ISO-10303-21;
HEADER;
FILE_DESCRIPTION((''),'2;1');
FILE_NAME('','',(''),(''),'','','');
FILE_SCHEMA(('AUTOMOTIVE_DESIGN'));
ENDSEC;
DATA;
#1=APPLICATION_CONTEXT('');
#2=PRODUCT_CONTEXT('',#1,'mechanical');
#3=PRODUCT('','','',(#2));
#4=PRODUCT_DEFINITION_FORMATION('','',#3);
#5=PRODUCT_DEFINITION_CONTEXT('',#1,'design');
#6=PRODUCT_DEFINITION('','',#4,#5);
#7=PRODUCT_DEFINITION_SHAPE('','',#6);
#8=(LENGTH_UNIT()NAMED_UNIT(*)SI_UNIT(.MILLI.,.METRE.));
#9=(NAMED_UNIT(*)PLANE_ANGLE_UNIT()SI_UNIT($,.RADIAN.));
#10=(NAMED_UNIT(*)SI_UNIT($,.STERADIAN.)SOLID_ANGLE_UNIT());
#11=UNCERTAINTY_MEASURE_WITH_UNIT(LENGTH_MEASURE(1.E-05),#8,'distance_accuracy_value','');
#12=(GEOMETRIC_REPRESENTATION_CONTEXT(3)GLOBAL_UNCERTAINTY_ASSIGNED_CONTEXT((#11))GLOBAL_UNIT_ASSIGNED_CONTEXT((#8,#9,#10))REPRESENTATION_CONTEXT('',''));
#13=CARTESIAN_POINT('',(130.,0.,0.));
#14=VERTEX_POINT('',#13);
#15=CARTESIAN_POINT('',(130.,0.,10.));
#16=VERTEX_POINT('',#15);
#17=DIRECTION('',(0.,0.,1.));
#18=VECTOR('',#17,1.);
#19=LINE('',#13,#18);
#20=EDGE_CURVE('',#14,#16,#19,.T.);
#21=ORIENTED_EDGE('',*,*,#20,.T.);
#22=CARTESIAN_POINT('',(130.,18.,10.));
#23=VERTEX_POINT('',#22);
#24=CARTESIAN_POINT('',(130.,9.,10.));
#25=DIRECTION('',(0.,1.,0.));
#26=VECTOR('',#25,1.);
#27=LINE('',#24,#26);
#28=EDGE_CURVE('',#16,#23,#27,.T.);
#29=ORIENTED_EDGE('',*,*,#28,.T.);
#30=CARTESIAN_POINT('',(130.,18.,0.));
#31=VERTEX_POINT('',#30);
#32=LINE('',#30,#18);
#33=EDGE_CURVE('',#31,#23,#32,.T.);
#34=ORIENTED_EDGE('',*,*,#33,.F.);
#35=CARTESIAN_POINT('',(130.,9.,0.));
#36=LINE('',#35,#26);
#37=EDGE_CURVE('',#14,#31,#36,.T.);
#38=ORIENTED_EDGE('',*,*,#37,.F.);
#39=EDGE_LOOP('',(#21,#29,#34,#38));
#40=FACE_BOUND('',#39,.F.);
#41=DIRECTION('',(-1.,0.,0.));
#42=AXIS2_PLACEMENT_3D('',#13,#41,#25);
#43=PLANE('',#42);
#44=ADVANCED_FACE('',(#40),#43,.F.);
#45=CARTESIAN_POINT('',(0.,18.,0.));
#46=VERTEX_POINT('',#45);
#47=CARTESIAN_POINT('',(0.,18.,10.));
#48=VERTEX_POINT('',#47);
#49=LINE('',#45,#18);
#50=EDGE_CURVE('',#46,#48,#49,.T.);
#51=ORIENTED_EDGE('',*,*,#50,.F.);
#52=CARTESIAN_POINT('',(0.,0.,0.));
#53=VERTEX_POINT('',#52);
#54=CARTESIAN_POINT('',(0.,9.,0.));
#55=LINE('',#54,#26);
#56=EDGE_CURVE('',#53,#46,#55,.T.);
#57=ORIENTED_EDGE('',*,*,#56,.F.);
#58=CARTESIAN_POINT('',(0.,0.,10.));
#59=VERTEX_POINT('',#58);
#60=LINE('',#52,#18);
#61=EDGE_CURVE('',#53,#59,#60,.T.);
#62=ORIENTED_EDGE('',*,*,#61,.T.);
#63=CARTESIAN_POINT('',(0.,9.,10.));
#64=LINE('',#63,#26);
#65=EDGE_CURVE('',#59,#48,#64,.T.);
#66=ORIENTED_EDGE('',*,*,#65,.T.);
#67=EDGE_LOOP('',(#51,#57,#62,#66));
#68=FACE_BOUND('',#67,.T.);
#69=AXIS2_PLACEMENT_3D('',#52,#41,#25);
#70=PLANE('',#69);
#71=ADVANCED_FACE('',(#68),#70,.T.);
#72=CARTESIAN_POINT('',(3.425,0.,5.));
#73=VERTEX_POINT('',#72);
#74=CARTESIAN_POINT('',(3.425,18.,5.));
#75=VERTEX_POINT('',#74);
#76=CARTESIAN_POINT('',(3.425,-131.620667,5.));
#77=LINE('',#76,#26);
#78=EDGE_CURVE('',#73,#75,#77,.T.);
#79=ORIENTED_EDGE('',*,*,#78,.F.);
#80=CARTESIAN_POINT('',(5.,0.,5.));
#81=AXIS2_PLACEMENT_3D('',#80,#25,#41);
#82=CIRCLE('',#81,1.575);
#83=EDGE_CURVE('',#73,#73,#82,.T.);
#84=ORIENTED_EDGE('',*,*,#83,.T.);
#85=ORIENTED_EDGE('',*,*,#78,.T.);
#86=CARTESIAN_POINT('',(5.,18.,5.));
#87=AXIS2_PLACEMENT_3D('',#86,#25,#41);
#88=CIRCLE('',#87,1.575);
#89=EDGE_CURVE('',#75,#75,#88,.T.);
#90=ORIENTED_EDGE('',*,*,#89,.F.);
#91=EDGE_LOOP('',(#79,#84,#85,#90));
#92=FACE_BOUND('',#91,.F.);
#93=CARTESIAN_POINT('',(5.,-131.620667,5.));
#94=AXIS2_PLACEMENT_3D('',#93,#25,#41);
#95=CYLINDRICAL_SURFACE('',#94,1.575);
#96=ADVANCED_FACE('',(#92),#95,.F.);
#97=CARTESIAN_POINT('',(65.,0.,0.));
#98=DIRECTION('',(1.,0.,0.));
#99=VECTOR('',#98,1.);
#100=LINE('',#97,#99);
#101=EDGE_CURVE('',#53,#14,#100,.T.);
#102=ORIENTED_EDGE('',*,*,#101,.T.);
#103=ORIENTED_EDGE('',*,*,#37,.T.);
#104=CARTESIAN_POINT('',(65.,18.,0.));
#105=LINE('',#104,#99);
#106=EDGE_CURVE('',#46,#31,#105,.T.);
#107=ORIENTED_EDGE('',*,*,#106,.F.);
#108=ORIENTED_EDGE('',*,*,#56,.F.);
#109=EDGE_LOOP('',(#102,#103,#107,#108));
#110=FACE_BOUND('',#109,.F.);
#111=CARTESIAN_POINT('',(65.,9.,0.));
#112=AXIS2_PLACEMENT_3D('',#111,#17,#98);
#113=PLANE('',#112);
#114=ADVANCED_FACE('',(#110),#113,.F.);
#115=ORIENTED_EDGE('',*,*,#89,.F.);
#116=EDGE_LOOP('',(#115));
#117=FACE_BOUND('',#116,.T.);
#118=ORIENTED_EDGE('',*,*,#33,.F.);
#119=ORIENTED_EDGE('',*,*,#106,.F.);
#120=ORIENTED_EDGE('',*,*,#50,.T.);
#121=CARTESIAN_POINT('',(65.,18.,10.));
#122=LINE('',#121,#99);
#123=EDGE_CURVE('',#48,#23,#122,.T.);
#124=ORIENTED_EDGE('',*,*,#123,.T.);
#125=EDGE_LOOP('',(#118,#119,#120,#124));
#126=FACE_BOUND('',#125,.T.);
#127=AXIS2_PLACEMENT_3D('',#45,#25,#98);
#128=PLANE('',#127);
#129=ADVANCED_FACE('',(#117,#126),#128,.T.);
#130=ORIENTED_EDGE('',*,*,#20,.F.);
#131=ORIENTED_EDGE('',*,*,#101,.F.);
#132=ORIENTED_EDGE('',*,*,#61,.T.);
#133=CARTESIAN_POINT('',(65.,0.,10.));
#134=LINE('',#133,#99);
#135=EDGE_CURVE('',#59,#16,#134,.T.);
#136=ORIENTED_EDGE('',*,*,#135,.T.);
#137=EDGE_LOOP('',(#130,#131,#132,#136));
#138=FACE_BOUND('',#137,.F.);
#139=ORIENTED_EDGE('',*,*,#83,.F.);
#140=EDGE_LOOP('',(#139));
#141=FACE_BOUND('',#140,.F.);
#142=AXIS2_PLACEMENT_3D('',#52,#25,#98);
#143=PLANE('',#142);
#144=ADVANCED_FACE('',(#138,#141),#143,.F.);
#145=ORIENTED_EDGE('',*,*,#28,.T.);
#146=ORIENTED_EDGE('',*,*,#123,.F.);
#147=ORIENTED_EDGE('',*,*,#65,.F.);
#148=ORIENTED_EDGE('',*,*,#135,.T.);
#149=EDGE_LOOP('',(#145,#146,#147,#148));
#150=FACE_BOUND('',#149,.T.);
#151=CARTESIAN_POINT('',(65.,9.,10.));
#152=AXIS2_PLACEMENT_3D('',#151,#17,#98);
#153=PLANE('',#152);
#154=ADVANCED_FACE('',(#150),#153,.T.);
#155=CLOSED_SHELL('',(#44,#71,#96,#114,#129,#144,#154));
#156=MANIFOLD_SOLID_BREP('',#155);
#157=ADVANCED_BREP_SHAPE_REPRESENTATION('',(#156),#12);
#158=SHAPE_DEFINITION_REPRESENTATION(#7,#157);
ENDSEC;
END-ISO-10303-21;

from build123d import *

# Parameters (mm, degrees)
F0_W     = 130
F0_H     = 18
F1_DEPTH = 10
F3_D     = 3.15


with BuildPart() as f1:
    # F0 (on Top) → F1 (new body)
    with BuildSketch(Plane.XY):
        with Locations((65, 9)):
            Rectangle(F0_W, F0_H)
    extrude(amount=F1_DEPTH)

    # F3 (through all)
    with Locations(Plane.XZ):
        with Locations((5, 5)):
            Hole(F3_D / 2)


solid = f1.part
